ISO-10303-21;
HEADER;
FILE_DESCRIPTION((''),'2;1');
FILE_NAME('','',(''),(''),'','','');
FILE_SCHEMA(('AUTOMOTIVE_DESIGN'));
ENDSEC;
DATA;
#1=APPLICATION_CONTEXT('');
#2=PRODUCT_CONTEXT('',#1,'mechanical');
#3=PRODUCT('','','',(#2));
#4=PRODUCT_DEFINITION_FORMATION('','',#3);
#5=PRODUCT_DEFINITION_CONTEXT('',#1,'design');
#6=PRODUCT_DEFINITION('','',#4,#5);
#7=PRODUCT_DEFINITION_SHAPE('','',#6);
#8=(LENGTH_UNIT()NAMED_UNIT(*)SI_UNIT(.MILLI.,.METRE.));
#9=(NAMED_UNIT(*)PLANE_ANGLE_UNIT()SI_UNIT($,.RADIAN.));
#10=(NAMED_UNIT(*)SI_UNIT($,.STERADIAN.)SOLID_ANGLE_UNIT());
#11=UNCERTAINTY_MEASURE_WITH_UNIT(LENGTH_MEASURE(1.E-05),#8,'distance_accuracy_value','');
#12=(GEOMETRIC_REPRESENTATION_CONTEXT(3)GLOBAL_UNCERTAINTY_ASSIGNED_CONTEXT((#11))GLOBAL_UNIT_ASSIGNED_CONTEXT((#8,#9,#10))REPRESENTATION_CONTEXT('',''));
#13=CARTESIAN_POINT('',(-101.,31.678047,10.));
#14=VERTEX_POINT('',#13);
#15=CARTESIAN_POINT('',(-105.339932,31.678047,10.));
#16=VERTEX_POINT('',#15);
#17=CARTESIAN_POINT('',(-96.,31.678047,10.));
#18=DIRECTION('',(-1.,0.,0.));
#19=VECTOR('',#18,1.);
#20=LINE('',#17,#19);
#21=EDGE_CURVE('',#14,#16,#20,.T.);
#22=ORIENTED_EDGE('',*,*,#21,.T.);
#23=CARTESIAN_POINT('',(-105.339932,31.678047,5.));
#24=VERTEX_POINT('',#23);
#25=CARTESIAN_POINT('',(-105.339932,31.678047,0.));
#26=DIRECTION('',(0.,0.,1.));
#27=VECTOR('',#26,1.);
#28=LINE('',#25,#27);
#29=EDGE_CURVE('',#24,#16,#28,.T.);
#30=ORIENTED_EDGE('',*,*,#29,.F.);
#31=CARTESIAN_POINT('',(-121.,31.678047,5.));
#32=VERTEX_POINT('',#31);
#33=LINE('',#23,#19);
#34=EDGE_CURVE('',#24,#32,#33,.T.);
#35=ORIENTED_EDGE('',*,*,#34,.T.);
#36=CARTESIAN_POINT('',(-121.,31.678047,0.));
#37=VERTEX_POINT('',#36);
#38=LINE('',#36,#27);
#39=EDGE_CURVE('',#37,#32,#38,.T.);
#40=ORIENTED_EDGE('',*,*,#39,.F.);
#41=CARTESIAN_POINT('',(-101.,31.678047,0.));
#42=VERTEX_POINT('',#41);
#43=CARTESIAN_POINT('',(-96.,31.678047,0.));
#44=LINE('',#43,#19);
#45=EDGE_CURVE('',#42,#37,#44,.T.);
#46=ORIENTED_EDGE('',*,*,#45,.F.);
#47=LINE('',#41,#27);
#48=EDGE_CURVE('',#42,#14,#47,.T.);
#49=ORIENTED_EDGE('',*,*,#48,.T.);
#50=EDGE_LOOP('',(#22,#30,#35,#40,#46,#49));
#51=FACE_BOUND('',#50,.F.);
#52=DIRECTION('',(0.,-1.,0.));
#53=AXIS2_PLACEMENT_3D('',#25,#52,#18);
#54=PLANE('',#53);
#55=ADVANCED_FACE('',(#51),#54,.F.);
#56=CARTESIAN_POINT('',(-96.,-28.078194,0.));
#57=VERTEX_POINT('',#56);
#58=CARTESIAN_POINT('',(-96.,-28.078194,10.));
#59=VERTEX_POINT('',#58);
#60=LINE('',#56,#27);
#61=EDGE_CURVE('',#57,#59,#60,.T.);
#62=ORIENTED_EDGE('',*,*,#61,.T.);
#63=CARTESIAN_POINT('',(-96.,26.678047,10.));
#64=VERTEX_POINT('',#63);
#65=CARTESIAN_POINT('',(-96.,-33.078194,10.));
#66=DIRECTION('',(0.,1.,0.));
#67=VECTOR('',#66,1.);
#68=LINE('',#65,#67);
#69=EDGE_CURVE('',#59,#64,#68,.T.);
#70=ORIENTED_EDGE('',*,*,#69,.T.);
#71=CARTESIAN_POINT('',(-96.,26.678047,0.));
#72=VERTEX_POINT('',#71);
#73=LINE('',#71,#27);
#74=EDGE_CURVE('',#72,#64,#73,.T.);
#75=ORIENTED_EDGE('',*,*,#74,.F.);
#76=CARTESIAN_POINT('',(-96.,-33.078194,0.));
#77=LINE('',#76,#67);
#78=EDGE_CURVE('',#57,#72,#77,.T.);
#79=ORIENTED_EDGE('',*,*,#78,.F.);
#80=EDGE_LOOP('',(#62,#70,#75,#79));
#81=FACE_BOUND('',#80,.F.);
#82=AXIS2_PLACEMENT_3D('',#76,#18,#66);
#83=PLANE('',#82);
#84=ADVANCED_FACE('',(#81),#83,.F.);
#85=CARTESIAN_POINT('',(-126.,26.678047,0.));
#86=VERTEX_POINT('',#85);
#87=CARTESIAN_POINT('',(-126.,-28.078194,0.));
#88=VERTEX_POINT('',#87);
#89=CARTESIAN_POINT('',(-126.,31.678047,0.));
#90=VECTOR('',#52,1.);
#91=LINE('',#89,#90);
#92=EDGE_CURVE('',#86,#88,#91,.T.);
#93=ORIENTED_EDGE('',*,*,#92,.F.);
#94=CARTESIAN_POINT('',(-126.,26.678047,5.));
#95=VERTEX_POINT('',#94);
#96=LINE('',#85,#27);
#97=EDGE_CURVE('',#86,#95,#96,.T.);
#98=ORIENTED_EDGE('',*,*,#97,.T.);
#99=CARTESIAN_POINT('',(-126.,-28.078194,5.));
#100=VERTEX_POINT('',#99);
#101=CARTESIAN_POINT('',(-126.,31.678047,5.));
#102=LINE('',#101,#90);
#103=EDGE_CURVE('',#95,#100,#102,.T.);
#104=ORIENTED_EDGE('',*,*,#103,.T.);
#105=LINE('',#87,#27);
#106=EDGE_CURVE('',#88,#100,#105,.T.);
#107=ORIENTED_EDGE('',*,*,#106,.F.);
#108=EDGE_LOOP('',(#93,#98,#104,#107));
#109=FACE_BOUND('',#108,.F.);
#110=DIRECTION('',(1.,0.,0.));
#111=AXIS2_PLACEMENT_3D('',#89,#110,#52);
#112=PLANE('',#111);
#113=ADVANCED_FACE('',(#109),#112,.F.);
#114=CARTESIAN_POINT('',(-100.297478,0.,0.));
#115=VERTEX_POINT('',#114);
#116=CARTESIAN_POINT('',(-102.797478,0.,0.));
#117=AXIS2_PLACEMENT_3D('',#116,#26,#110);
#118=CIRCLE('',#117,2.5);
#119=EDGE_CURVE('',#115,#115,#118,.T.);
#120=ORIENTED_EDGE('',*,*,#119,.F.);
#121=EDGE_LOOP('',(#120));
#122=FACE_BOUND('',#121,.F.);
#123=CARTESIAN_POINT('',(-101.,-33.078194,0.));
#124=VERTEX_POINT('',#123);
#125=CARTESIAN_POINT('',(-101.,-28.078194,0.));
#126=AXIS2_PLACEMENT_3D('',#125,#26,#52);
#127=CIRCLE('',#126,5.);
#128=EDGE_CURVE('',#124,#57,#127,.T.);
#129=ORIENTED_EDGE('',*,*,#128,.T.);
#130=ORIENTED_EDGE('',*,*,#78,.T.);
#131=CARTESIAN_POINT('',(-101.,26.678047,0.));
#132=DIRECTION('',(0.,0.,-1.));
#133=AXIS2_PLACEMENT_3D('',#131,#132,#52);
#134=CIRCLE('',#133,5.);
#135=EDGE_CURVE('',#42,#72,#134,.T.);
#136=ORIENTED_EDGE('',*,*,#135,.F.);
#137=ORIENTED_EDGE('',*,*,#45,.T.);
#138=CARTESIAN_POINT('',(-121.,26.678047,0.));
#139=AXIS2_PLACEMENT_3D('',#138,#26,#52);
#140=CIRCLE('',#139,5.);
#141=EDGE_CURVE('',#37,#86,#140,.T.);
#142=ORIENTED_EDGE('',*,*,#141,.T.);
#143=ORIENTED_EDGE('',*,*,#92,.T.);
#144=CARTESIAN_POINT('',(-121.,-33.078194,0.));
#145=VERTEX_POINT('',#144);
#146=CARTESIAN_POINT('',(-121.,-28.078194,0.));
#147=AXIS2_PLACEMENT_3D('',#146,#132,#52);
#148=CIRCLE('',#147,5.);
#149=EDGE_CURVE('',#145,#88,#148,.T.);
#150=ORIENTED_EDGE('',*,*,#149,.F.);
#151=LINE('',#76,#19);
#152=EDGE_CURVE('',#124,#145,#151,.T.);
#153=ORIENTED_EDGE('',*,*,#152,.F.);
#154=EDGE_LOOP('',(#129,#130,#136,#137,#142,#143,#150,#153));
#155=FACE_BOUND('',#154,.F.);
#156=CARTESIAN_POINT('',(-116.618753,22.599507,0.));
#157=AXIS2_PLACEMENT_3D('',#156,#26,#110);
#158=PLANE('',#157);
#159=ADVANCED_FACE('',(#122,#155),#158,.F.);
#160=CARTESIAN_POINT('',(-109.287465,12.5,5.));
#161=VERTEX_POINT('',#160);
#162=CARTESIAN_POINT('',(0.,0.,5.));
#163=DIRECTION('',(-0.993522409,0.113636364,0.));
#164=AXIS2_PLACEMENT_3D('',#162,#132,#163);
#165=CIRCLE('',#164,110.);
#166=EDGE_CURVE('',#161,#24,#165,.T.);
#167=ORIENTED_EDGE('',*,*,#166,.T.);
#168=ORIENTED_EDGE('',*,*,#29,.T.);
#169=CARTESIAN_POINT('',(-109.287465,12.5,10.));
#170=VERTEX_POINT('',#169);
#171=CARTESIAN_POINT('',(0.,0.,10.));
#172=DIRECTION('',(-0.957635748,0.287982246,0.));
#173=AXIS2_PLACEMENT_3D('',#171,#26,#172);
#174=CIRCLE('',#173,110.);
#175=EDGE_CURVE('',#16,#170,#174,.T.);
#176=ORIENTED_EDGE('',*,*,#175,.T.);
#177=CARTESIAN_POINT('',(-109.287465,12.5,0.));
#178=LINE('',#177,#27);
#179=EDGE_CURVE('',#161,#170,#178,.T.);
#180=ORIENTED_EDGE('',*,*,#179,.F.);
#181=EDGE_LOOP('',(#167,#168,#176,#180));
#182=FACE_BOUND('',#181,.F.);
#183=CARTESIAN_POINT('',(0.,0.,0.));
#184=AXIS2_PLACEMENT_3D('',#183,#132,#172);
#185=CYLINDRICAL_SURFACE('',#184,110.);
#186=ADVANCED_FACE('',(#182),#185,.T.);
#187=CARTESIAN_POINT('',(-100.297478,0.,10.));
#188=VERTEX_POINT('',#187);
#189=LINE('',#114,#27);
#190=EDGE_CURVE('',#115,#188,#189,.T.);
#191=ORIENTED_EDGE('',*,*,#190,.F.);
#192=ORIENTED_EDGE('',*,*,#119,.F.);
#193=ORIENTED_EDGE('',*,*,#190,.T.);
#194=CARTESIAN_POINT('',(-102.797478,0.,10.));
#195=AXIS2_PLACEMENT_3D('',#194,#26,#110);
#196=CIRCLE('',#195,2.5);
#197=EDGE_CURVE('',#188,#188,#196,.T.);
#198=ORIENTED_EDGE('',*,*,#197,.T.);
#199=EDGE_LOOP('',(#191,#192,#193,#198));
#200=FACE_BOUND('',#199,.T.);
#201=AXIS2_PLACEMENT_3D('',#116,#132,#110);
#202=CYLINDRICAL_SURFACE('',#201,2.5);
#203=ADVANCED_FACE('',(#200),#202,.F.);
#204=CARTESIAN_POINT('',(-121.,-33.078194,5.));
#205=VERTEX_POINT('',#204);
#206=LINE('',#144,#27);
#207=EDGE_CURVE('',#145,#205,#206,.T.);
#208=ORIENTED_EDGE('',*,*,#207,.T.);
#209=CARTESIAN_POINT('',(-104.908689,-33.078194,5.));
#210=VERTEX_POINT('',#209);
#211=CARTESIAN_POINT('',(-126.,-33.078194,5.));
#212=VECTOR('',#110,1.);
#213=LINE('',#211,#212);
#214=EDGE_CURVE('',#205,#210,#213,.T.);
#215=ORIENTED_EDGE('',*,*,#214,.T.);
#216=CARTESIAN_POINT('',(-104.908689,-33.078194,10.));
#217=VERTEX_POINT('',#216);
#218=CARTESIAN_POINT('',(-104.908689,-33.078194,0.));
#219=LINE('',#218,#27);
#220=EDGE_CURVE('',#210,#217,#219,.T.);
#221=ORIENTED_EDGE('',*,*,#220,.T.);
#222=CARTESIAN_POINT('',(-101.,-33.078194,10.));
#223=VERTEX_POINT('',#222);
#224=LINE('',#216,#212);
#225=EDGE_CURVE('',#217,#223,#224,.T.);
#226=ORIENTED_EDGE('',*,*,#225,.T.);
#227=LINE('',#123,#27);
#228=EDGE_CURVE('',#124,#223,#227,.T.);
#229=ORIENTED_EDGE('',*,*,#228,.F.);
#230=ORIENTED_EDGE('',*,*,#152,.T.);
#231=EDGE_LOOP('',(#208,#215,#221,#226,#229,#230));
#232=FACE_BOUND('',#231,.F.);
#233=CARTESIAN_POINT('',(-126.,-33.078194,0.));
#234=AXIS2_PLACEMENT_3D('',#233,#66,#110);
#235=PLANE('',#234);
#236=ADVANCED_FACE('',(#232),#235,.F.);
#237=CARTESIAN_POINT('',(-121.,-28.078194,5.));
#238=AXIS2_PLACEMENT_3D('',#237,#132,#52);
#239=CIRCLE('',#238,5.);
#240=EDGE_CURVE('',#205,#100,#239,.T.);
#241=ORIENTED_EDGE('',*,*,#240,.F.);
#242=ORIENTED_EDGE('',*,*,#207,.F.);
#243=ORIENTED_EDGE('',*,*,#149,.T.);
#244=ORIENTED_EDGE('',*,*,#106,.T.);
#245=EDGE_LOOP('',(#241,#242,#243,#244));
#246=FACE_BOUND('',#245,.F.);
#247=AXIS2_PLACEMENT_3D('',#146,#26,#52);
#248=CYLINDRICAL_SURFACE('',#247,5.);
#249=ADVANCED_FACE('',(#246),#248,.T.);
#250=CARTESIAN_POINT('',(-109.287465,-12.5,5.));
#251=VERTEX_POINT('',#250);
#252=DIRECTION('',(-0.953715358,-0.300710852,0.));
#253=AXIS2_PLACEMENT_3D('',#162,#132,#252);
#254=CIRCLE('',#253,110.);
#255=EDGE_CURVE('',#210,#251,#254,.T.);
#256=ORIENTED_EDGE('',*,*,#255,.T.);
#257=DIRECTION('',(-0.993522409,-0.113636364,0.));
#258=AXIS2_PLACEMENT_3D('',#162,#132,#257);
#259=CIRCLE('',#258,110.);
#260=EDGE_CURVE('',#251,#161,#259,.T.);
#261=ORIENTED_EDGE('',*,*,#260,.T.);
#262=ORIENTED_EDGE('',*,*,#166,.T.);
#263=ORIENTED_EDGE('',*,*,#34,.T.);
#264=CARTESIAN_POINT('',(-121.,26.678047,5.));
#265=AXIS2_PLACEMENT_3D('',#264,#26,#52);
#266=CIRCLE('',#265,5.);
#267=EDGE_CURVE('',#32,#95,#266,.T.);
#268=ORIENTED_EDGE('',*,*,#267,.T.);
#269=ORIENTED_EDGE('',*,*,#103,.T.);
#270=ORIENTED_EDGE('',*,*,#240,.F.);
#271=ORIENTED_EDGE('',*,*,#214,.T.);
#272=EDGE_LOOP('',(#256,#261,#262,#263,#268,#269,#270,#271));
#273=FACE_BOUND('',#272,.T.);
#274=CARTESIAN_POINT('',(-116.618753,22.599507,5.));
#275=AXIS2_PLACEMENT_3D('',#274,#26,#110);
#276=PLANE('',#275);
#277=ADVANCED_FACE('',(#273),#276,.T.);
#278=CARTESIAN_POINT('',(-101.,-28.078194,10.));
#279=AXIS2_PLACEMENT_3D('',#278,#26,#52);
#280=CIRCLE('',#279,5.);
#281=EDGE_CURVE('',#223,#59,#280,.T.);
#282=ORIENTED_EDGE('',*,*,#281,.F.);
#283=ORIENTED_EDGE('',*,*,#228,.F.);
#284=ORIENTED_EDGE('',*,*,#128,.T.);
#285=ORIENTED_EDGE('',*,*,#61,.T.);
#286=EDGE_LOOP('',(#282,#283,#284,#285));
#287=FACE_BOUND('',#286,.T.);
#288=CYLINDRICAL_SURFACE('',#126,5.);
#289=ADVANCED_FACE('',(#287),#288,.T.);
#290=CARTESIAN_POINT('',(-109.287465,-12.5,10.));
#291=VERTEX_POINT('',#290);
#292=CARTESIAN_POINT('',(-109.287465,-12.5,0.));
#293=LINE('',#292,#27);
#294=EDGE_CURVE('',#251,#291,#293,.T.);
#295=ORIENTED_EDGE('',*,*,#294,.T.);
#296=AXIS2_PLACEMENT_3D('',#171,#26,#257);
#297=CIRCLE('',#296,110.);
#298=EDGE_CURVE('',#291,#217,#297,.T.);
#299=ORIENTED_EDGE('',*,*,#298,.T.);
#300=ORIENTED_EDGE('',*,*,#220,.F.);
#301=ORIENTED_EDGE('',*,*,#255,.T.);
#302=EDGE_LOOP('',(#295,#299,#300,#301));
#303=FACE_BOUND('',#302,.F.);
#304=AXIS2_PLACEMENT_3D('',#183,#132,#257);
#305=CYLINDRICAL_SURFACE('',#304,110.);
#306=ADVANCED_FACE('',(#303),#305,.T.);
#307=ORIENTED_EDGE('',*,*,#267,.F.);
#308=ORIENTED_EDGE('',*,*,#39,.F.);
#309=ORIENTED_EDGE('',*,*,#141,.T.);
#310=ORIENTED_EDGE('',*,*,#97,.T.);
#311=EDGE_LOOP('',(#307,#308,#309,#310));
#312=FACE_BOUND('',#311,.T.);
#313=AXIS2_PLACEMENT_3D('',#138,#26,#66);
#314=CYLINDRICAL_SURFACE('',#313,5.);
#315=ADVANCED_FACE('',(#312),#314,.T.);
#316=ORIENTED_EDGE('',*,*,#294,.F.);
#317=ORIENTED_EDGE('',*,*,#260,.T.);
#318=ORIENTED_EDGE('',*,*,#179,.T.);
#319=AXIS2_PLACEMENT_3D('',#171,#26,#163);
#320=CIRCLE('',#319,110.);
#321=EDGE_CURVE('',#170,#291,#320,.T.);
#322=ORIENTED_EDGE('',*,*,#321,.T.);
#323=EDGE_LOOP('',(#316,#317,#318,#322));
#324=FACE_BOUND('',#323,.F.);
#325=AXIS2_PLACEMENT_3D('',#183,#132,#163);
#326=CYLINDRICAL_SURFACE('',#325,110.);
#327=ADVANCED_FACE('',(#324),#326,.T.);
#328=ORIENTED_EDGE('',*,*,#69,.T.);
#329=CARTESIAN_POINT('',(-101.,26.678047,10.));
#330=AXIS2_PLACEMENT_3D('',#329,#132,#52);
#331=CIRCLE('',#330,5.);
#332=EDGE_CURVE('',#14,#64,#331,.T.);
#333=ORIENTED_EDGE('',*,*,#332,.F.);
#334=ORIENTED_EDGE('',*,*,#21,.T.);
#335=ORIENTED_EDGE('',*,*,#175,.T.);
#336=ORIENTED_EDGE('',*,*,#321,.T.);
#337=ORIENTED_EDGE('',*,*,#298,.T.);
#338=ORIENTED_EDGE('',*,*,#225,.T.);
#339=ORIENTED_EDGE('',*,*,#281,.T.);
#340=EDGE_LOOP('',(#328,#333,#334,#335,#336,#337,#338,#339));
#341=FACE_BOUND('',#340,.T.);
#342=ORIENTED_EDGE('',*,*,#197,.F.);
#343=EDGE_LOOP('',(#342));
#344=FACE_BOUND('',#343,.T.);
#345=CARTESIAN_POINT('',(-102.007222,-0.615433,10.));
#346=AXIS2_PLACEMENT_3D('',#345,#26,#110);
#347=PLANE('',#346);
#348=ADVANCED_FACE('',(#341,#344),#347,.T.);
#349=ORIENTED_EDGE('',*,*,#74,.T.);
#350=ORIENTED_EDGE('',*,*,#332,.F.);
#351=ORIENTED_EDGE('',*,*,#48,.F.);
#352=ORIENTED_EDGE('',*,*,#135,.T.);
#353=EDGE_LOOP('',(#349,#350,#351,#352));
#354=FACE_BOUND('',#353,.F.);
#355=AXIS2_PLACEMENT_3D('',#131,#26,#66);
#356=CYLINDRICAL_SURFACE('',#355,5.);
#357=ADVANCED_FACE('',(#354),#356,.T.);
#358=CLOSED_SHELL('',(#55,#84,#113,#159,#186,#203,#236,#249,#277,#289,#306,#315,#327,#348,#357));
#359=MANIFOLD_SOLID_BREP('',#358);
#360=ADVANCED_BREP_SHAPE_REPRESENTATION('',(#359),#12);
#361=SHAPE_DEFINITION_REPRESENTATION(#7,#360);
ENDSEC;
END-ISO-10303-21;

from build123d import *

# Parameters (mm, degrees)
F0_R     = 2.5
F1_DEPTH = 10
F2_DEPTH = 5
F3_R     = 5


with BuildPart() as f1:
    # F0 (on Top) → F1 (new body)
    with BuildSketch(Plane.XY):
        with BuildLine():
            ThreePointArc((-105.3399322968, 31.6780470312), (-107.7412608362, 22.1770312131), (-109.287464972, 12.5))
            ThreePointArc((-109.287464972, 12.5), (-110, 0), (-109.287464972, -12.5))
            ThreePointArc((-109.287464972, -12.5), (-107.5911875881, -22.8940244035), (-104.9086893631, -33.0781936646))
            Line((-104.9086893631, -33.0781936646), (-96, -33.0781936646))
            Line((-96, -33.0781936646), (-96, 31.6780470312))
            Line((-96, 31.6780470312), (-105.3399322968, 31.6780470312))
        make_face()
        with Locations((-102.7974784374, 0)):
            Circle(F0_R, mode=Mode.SUBTRACT)
    extrude(amount=F1_DEPTH)

    # F0 (on Top) → F2 (join)
    with BuildSketch(Plane.XY):
        with BuildLine():
            Line((-110, 12.5), (-109.287464972, 12.5))
            ThreePointArc((-109.287464972, 12.5), (-107.7412608362, 22.1770312131), (-105.3399322968, 31.6780470312))
            Line((-105.3399322968, 31.6780470312), (-126, 31.6780470312))
            Line((-126, 31.6780470312), (-126, 12.5))
            Line((-126, 12.5), (-110, 12.5))
        make_face()
        with BuildLine():
            ThreePointArc((-109.287464972, -12.5), (-110, 0), (-109.287464972, 12.5))
            Line((-109.287464972, 12.5), (-110, 12.5))
            Line((-110, 12.5), (-126, 12.5))
            Line((-126, 12.5), (-126, -12.5))
            Line((-126, -12.5), (-110, -12.5))
            Line((-110, -12.5), (-109.287464972, -12.5))
        make_face()
        with BuildLine():
            ThreePointArc((-104.9086893631, -33.0781936646), (-107.5911875881, -22.8940244035), (-109.287464972, -12.5))
            Line((-109.287464972, -12.5), (-110, -12.5))
            Line((-110, -12.5), (-126, -12.5))
            Line((-126, -12.5), (-126, -33.0781936646))
            Line((-126, -33.0781936646), (-104.9086893631, -33.0781936646))
        make_face()
    extrude(amount=F2_DEPTH)

    # F3
    f3_edges = [f1.edges().sort_by_distance(p)[0] for p in [
        (-126, -33.078194, 2.5),
        (-96, -33.078194, 5),
        (-126, 31.678047, 2.5),
        (-96, 31.678047, 5),
    ]]
    fillet(f3_edges, radius=F3_R)


solid = f1.part
